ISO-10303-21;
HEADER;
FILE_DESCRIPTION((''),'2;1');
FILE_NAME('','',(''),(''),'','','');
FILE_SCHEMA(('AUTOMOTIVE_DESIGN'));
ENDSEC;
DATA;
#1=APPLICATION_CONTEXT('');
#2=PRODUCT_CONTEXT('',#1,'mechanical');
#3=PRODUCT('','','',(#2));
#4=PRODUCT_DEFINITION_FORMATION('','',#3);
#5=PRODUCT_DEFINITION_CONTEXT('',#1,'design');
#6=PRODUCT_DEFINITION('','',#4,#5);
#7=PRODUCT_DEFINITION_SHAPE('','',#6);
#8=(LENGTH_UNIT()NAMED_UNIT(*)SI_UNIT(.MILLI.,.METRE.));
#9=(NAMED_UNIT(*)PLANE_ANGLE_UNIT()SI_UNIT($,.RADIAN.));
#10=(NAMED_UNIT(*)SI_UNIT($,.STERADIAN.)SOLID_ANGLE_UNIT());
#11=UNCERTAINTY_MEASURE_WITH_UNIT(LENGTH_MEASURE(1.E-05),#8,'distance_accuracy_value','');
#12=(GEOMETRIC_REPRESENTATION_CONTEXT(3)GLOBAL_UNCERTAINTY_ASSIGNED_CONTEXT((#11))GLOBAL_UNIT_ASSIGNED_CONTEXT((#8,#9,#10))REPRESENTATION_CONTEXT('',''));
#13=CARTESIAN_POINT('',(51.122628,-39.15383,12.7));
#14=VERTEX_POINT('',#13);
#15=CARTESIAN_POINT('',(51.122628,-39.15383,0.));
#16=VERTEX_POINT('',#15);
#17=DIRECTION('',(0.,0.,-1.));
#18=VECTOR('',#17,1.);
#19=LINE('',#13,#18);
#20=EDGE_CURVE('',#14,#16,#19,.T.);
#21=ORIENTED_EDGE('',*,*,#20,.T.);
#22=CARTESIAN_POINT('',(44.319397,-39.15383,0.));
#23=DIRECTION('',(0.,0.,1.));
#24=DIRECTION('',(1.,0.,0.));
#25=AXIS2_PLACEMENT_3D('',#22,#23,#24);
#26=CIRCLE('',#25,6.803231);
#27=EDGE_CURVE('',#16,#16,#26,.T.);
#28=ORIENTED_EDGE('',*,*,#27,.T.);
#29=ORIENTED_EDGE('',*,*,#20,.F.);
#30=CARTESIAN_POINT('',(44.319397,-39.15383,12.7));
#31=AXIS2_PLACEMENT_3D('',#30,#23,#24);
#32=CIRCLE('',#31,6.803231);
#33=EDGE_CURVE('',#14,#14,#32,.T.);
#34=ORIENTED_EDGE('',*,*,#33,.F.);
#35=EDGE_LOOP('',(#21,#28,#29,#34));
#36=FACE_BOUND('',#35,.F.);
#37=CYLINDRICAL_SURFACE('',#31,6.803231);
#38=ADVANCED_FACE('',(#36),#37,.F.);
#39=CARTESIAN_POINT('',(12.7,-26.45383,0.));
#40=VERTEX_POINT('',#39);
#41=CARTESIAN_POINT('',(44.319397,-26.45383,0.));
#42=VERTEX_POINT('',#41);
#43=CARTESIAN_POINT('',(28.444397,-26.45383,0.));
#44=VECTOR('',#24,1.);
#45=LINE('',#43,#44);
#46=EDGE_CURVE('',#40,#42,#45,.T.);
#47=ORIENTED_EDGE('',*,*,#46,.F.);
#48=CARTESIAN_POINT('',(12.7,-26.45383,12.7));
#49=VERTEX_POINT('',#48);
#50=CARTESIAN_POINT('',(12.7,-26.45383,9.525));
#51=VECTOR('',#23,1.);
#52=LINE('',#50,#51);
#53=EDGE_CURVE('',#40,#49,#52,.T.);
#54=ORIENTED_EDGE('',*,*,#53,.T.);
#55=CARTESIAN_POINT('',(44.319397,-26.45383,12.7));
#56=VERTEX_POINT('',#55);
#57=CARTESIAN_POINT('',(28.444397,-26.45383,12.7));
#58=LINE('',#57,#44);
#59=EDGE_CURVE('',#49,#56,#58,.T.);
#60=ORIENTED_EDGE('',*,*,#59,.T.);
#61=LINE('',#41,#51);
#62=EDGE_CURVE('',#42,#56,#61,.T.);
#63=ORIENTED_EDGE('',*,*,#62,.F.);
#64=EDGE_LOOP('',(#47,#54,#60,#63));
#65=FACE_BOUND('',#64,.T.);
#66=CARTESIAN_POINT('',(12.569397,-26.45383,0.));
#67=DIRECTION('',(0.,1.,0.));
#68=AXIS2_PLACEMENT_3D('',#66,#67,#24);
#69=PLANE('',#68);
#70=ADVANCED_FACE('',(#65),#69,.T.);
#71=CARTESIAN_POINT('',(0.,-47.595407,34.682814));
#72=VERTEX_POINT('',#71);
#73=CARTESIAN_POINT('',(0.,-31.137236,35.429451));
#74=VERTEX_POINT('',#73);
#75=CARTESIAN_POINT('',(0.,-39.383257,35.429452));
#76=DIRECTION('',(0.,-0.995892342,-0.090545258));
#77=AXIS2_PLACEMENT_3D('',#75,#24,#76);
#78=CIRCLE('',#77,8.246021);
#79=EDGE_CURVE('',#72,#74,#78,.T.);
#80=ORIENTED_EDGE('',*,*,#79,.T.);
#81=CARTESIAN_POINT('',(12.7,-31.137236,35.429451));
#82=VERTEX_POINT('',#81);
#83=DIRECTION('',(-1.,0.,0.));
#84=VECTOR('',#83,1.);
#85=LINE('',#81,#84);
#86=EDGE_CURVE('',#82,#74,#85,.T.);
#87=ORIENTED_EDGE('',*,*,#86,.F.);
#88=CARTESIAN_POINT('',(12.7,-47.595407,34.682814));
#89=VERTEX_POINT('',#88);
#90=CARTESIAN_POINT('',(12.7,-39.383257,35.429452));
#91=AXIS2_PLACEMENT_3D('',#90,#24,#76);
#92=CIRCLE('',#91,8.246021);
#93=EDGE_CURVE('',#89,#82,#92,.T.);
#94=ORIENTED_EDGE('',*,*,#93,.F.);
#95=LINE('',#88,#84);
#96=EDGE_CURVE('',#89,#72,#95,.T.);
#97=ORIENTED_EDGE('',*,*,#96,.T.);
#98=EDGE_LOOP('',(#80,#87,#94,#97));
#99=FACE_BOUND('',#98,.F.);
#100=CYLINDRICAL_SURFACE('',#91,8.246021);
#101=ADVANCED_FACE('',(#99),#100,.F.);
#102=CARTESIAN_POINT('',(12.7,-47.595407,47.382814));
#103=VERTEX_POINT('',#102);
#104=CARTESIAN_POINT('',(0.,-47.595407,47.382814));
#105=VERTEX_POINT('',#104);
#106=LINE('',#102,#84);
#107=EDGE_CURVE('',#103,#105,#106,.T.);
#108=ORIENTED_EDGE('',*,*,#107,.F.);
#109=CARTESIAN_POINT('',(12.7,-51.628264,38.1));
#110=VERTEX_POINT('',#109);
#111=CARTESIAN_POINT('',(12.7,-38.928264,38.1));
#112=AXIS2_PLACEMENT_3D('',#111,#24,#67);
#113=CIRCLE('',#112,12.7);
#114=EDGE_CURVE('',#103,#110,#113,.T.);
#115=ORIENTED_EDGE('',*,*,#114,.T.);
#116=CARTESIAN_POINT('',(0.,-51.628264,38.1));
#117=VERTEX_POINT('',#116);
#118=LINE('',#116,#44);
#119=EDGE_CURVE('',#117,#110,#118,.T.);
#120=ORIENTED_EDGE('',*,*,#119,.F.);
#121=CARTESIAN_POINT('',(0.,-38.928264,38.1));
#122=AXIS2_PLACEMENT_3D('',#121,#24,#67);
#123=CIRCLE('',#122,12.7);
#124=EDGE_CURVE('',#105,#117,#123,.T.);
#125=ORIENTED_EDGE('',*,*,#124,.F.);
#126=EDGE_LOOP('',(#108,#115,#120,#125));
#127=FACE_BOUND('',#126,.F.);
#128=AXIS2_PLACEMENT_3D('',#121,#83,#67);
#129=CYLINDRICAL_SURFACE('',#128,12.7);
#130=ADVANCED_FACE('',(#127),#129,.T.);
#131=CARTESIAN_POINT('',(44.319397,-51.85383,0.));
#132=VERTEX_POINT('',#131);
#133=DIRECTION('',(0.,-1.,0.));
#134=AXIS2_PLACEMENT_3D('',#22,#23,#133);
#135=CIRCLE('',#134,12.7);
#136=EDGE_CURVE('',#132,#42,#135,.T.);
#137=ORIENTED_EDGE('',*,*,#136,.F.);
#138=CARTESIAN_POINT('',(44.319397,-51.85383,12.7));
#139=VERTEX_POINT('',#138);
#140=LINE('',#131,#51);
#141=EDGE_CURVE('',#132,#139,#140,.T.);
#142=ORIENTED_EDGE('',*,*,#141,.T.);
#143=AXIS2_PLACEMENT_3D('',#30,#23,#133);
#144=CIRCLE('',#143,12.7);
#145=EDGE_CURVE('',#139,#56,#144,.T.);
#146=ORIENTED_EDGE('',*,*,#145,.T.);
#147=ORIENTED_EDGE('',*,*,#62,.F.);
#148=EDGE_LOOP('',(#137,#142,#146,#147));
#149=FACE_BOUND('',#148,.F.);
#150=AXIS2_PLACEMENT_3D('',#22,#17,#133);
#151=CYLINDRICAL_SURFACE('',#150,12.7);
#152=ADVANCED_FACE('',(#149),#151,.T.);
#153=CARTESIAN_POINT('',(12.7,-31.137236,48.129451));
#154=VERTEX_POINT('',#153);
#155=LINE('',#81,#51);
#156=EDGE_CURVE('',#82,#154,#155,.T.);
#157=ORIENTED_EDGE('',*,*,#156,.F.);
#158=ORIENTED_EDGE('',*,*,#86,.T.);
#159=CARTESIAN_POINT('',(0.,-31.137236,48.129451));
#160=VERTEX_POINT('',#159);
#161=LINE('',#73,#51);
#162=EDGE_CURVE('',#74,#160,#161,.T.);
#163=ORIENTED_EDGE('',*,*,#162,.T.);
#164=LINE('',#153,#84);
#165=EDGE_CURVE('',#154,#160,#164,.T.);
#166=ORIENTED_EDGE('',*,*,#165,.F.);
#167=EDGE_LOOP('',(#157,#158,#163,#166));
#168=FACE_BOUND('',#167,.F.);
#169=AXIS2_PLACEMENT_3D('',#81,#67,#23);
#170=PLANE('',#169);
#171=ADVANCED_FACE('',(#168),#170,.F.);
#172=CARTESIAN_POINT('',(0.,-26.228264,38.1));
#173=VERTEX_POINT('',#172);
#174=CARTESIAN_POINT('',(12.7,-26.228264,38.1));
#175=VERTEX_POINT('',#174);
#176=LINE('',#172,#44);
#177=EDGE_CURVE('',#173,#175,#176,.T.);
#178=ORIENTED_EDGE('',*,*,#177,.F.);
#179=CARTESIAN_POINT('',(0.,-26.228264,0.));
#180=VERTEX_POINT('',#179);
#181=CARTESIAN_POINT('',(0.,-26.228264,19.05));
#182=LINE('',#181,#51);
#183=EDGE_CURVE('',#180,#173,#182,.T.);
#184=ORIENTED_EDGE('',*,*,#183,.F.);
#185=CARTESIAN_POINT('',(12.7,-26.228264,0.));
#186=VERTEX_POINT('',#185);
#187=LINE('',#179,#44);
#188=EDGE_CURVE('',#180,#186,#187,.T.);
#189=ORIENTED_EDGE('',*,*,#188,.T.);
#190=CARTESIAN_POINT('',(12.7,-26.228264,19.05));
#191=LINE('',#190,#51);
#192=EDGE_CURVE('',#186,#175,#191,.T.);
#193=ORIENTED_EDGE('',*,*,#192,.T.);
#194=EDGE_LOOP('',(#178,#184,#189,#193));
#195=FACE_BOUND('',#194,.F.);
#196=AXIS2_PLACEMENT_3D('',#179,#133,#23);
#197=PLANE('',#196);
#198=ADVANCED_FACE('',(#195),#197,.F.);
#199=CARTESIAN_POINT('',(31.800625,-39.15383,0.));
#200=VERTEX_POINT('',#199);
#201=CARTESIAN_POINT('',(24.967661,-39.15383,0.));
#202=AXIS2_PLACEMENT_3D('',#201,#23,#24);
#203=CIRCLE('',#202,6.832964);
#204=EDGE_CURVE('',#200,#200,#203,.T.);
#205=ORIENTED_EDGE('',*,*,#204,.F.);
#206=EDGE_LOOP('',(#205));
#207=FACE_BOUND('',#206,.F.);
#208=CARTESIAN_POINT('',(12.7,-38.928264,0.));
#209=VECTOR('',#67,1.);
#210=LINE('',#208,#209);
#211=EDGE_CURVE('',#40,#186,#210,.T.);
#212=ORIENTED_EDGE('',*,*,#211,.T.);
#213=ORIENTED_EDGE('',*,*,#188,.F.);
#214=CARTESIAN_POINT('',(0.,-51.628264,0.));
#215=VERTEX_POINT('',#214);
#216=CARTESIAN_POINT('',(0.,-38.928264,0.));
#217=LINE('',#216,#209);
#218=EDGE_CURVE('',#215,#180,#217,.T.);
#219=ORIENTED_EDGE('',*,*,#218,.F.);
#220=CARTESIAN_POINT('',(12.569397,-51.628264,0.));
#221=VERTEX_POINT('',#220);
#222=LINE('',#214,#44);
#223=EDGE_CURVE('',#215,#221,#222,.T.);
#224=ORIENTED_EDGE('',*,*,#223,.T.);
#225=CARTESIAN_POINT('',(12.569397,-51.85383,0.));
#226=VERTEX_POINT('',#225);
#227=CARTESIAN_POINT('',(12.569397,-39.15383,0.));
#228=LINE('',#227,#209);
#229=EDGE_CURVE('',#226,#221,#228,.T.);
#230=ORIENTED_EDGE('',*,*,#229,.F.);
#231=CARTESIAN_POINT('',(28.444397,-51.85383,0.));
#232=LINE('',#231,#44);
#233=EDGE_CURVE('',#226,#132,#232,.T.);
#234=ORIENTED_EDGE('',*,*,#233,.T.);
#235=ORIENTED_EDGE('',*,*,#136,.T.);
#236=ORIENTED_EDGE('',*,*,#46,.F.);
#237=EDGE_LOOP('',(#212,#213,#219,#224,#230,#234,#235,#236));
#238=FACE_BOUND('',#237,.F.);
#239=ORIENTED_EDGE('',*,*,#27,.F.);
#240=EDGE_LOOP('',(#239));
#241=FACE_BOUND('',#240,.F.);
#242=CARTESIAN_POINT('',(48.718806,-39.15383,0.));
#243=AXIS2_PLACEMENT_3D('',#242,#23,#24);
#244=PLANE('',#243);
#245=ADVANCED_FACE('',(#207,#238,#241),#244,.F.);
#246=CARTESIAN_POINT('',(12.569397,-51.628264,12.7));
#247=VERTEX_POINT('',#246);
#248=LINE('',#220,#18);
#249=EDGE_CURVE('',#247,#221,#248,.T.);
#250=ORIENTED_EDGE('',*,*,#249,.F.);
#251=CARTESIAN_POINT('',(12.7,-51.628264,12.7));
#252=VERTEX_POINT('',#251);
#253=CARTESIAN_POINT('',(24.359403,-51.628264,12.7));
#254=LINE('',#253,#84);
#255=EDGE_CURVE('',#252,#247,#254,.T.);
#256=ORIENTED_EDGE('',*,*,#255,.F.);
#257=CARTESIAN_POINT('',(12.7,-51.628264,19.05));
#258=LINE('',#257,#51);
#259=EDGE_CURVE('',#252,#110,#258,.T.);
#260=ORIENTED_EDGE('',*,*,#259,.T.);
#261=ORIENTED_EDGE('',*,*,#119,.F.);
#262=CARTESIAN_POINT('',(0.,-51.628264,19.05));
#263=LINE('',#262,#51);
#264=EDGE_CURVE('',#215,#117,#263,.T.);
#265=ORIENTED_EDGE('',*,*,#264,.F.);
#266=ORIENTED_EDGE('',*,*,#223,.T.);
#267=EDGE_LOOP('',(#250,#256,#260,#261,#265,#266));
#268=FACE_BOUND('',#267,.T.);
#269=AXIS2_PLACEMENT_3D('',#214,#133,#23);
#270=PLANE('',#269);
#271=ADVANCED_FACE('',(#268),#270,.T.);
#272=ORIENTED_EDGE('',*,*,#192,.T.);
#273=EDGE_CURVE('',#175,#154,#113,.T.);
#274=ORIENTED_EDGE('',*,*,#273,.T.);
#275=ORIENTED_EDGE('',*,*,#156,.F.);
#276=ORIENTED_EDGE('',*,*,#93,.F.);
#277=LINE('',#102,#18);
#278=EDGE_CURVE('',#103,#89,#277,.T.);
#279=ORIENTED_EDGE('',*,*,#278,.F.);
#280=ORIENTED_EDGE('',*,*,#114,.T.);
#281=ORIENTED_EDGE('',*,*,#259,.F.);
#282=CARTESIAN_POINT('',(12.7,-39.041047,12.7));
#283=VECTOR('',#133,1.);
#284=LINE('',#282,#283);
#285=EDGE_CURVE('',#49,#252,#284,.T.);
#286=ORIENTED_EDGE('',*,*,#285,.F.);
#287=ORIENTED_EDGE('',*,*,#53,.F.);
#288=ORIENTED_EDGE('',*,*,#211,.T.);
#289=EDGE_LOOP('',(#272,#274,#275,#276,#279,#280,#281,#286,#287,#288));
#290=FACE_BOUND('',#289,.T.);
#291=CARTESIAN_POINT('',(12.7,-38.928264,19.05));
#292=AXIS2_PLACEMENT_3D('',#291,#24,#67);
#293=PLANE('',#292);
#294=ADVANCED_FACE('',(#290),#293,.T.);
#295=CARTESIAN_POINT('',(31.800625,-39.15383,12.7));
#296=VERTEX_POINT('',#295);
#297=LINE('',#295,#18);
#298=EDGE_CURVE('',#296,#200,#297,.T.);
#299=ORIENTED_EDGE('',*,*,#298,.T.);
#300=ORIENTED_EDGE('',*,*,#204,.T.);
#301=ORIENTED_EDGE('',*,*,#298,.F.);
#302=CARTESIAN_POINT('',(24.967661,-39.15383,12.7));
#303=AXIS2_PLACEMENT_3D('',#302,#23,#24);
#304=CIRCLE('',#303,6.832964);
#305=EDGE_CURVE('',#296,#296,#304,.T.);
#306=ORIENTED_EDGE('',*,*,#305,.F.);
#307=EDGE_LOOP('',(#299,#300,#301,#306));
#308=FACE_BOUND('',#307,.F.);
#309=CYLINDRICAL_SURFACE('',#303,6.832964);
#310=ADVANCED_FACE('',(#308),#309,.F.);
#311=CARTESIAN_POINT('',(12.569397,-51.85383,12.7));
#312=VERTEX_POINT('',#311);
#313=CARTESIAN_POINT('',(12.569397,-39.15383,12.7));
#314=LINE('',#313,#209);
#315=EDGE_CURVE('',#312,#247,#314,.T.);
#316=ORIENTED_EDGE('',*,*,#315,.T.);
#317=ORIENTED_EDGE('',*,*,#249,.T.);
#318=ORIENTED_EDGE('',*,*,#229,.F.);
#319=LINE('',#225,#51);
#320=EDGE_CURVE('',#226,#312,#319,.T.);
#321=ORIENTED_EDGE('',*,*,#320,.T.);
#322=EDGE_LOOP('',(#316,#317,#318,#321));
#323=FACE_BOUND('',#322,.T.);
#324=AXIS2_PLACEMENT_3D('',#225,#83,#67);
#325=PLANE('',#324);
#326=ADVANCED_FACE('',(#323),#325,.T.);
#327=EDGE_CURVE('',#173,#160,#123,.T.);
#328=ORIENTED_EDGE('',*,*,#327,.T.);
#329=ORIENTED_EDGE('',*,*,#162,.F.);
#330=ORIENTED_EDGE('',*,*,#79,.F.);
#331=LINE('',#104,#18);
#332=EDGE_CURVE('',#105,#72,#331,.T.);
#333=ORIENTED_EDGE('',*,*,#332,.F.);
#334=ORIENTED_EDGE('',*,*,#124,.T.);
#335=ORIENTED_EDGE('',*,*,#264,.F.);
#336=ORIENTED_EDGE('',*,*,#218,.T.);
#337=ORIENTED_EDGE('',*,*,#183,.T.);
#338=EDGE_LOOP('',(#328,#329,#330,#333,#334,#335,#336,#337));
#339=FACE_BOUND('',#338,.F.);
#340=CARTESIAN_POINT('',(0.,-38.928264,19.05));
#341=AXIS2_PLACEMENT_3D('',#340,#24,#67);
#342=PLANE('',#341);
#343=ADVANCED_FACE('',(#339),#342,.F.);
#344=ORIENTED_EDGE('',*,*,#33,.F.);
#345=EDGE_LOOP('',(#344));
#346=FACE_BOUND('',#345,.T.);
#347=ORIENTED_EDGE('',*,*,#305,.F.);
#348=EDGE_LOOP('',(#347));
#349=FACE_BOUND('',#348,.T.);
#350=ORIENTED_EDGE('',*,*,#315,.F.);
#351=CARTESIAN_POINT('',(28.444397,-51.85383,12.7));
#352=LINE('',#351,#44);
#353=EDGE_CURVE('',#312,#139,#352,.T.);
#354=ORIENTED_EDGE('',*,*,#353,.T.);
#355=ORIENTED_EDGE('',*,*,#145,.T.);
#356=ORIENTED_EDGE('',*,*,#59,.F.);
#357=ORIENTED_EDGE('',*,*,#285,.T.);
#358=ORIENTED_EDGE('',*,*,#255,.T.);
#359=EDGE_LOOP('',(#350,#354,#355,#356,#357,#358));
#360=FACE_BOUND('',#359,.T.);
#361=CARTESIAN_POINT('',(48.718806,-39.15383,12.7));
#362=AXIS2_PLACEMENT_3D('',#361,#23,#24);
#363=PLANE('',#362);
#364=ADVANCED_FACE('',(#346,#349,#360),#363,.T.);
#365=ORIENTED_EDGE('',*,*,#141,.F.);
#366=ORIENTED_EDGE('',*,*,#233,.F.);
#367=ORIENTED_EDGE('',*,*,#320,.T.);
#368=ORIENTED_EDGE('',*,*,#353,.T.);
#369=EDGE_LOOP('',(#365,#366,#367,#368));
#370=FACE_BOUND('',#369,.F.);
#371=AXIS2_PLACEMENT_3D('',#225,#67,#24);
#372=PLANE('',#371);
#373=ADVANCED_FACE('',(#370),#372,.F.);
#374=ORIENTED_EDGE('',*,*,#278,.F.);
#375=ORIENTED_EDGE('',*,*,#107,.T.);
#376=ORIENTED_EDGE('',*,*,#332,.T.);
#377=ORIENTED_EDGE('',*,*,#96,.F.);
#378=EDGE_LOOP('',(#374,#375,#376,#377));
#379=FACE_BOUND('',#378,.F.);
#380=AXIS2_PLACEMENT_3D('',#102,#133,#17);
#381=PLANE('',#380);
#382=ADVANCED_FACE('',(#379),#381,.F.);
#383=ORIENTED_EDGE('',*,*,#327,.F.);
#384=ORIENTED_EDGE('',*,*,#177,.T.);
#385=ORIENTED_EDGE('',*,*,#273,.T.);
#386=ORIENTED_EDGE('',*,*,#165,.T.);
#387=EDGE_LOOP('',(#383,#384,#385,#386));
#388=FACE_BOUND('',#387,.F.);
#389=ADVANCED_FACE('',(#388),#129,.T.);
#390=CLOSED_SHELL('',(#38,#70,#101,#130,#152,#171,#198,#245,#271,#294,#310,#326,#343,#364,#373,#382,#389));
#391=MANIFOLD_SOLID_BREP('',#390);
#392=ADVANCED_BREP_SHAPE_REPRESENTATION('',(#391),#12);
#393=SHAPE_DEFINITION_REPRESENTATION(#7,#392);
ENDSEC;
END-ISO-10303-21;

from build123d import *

# Parameters (mm, degrees)
F0_W     = 25.4
F0_H     = 38.1
F1_DEPTH = 12.7
F2_W     = 31.75
F2_H     = 25.4
F3_DEPTH = 12.7
F5_DEPTH = 12.7
F6_R     = 6.832964
F6_R_2   = 6.803231
F7_DEPTH = 12.7


with BuildPart() as f1:
    # F0 (on Right) → F1 (new body)
    with BuildSketch(Plane.YZ):
        with Locations((-38.928264, 19.05)):
            Rectangle(F0_W, F0_H)
        with BuildLine():
            ThreePointArc((-26.228264, 38.1), (-38.928264, 50.8), (-51.628264, 38.1))
            Line((-51.628264, 38.1), (-26.228264, 38.1))
        make_face()
    extrude(amount=F1_DEPTH)

    # F2 (on Top) → F3 (join)
    with BuildSketch(Plane.XY):
        with BuildLine():
            ThreePointArc((44.319397, -51.85383), (57.019397, -39.15383), (44.319397, -26.45383))
            Line((44.319397, -26.45383), (44.319397, -51.85383))
        make_face()
        with Locations((28.444397, -39.15383)):
            Rectangle(F2_W, F2_H)
    extrude(amount=F3_DEPTH)

    # F4 (on face) → F5 (cut)
    with BuildSketch(Plane.YZ.offset(12.7)):
        with BuildLine():
            ThreePointArc((-31.137236, 48.129451), (-39.756961, 56.367), (-47.595407, 47.382814))
            ThreePointArc((-47.595407, 47.382814), (-39.503817, 50.786951), (-31.137236, 48.129451))
        make_face()
        with BuildLine():
            ThreePointArc((-31.137236, 48.129451), (-39.503817, 50.786951), (-47.595407, 47.382814))
            Line((-47.595407, 47.382814), (-47.595407, 34.682814))
            ThreePointArc((-47.595407, 34.682814), (-39.009555, 27.191903), (-31.137236, 35.429451))
            Line((-31.137236, 35.429451), (-31.137236, 48.129451))
        make_face()
    extrude(amount=-F5_DEPTH, mode=Mode.SUBTRACT)

    # F6 (on face) → F7 (cut)
    with BuildSketch(Plane.XY.offset(12.7)):
        with Locations((24.967661, -39.15383)):
            Circle(F6_R)
        with Locations((44.319397, -39.15383)):
            Circle(F6_R_2)
    extrude(amount=-F7_DEPTH, mode=Mode.SUBTRACT)


solid = f1.part
